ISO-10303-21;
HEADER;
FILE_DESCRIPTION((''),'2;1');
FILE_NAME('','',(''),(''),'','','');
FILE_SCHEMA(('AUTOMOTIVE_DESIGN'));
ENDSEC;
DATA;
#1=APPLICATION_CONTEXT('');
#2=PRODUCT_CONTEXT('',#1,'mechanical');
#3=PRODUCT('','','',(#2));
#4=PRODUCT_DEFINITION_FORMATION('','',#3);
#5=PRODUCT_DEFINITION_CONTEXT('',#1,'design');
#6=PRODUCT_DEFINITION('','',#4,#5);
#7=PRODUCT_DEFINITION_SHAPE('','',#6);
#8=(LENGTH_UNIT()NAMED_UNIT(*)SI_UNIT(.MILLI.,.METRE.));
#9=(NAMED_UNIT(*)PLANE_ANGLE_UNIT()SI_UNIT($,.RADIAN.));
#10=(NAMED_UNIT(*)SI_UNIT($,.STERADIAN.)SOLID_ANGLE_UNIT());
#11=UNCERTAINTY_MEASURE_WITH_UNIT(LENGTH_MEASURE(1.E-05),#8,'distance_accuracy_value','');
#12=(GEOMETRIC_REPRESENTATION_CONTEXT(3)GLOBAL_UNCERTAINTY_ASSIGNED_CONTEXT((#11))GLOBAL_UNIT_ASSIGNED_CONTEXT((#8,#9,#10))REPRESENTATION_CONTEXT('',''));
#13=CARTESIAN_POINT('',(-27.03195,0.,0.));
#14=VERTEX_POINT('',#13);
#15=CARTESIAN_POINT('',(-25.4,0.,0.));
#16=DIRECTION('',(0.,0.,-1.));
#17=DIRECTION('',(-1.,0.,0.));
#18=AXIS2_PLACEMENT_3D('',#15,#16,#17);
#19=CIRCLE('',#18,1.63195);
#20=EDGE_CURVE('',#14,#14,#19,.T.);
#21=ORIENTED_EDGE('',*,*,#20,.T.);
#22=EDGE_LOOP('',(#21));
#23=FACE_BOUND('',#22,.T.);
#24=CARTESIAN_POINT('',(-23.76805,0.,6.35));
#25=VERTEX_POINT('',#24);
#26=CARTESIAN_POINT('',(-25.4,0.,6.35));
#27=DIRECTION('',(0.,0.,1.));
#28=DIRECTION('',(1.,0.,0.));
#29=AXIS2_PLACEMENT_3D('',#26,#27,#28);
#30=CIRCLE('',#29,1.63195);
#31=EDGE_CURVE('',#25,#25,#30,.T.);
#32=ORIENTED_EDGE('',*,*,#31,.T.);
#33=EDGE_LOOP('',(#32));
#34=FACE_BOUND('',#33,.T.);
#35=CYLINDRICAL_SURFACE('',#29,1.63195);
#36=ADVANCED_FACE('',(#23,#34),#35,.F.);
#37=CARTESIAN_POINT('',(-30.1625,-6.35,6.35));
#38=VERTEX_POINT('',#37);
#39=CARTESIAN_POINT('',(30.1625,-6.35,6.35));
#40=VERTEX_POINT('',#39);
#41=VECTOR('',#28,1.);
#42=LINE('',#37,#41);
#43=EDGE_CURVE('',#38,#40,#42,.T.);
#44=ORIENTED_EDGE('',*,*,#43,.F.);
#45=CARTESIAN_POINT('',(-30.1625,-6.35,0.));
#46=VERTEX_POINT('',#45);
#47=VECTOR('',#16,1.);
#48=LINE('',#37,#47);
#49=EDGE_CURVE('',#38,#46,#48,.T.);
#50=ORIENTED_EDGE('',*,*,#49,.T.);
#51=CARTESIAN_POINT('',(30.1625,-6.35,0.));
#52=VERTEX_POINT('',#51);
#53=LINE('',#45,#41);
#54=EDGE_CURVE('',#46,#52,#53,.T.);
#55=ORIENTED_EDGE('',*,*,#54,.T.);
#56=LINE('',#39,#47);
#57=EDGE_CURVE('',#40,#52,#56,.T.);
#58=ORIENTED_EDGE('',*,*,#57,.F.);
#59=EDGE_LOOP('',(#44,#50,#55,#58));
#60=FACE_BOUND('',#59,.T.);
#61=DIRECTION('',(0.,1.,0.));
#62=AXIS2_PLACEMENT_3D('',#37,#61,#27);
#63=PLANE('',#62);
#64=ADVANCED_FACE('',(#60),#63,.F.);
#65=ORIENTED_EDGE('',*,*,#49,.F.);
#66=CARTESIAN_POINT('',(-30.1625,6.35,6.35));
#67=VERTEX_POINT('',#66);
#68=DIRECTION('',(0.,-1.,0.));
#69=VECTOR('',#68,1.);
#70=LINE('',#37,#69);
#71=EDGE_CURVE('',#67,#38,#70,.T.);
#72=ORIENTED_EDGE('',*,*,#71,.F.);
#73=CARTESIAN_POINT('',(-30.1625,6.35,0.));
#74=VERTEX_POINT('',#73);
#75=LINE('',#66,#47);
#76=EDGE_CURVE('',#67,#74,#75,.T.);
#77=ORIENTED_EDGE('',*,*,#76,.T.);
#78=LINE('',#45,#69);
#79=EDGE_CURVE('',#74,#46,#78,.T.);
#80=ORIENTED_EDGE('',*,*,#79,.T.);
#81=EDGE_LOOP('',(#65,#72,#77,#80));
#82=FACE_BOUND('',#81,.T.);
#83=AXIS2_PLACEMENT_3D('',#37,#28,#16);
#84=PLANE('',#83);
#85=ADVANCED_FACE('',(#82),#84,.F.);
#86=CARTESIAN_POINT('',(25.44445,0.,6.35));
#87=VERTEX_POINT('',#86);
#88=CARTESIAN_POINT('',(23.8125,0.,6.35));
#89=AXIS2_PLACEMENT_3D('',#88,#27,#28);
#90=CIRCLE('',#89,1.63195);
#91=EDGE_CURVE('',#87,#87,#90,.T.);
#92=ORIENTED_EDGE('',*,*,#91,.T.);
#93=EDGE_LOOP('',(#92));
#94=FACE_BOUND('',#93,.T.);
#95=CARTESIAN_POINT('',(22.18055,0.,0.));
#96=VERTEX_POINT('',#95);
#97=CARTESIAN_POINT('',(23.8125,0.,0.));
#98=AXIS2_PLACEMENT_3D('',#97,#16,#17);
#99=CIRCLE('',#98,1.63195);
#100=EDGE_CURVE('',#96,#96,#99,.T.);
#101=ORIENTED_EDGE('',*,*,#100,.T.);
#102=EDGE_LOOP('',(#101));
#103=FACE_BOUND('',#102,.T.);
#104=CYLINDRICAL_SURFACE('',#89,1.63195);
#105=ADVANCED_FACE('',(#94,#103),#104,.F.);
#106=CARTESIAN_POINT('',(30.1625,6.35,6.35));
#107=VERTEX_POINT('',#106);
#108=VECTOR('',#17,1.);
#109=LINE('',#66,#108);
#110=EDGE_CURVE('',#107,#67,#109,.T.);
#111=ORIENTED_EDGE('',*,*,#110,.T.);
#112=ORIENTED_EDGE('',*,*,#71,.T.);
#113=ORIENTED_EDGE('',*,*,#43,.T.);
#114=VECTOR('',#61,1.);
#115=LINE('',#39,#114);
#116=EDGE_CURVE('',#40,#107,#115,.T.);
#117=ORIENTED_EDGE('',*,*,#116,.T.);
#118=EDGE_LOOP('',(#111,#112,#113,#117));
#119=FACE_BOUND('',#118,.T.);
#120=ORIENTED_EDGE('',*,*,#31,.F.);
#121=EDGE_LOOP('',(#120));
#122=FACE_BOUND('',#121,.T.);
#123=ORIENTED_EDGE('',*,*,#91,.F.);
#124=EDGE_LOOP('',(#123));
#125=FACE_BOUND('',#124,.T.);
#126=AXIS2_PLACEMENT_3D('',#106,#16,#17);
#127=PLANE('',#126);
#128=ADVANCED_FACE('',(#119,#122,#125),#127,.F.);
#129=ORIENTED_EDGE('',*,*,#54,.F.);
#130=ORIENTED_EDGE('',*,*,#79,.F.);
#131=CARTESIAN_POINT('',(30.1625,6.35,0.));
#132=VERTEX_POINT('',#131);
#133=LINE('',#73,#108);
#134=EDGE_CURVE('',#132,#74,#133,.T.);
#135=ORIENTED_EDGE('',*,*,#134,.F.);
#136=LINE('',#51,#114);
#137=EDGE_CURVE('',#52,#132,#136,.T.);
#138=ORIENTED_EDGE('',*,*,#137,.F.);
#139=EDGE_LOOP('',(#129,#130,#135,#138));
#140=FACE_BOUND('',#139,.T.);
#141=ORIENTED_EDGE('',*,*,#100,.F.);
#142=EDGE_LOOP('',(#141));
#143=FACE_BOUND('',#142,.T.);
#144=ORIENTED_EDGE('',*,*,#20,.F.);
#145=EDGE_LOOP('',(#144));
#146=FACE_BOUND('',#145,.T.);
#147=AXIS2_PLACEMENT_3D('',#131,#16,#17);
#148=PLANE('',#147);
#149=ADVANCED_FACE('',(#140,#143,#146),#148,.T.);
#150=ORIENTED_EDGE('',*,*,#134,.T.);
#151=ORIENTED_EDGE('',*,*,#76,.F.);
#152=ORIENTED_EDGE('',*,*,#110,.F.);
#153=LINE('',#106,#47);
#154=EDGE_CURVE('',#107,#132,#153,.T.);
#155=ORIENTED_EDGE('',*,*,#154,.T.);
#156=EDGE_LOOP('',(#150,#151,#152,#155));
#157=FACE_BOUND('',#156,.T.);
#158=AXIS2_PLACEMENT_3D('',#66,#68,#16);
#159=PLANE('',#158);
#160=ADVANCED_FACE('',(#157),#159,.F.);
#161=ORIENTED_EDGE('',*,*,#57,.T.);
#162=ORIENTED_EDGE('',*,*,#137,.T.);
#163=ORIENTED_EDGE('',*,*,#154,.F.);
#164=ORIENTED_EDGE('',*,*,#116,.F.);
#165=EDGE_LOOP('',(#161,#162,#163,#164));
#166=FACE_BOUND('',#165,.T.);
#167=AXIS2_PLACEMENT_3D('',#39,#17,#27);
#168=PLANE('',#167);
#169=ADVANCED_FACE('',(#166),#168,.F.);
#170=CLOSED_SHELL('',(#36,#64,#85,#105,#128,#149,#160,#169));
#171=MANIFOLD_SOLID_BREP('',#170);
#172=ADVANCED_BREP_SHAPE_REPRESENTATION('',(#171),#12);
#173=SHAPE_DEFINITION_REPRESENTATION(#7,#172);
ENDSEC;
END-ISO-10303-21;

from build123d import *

# Parameters (mm, degrees)
SKETCH1_W                 = 60.325
SKETCH1_H                 = 12.7
BOSS_EXTRUDE1_DEPTH       = 6.35
F_4_CLEARANCE_HOLE1_D     = 3.2639
F_4_CLEARANCE_HOLE1_DEPTH = 12.7
F_4_CLEARANCE_HOLE1_TIP   = 0.980574487


with BuildPart() as part:
    # Sketch1 → Boss-Extrude1 (new body)
    with BuildSketch(Plane.XY):
        Rectangle(SKETCH1_W, SKETCH1_H)
    extrude(amount=BOSS_EXTRUDE1_DEPTH)

    # #4 Clearance Hole1
    with Locations(Plane.XY.offset(6.35)):
        with Locations((-25.4, 0), (23.8125, 0)):
            Hole(F_4_CLEARANCE_HOLE1_D / 2, depth=F_4_CLEARANCE_HOLE1_DEPTH)
            with Locations((0, 0, -(F_4_CLEARANCE_HOLE1_DEPTH + F_4_CLEARANCE_HOLE1_TIP / 2))):  # 118° drill point
                Cone(0, F_4_CLEARANCE_HOLE1_D / 2, F_4_CLEARANCE_HOLE1_TIP, mode=Mode.SUBTRACT)


solid = part.part
